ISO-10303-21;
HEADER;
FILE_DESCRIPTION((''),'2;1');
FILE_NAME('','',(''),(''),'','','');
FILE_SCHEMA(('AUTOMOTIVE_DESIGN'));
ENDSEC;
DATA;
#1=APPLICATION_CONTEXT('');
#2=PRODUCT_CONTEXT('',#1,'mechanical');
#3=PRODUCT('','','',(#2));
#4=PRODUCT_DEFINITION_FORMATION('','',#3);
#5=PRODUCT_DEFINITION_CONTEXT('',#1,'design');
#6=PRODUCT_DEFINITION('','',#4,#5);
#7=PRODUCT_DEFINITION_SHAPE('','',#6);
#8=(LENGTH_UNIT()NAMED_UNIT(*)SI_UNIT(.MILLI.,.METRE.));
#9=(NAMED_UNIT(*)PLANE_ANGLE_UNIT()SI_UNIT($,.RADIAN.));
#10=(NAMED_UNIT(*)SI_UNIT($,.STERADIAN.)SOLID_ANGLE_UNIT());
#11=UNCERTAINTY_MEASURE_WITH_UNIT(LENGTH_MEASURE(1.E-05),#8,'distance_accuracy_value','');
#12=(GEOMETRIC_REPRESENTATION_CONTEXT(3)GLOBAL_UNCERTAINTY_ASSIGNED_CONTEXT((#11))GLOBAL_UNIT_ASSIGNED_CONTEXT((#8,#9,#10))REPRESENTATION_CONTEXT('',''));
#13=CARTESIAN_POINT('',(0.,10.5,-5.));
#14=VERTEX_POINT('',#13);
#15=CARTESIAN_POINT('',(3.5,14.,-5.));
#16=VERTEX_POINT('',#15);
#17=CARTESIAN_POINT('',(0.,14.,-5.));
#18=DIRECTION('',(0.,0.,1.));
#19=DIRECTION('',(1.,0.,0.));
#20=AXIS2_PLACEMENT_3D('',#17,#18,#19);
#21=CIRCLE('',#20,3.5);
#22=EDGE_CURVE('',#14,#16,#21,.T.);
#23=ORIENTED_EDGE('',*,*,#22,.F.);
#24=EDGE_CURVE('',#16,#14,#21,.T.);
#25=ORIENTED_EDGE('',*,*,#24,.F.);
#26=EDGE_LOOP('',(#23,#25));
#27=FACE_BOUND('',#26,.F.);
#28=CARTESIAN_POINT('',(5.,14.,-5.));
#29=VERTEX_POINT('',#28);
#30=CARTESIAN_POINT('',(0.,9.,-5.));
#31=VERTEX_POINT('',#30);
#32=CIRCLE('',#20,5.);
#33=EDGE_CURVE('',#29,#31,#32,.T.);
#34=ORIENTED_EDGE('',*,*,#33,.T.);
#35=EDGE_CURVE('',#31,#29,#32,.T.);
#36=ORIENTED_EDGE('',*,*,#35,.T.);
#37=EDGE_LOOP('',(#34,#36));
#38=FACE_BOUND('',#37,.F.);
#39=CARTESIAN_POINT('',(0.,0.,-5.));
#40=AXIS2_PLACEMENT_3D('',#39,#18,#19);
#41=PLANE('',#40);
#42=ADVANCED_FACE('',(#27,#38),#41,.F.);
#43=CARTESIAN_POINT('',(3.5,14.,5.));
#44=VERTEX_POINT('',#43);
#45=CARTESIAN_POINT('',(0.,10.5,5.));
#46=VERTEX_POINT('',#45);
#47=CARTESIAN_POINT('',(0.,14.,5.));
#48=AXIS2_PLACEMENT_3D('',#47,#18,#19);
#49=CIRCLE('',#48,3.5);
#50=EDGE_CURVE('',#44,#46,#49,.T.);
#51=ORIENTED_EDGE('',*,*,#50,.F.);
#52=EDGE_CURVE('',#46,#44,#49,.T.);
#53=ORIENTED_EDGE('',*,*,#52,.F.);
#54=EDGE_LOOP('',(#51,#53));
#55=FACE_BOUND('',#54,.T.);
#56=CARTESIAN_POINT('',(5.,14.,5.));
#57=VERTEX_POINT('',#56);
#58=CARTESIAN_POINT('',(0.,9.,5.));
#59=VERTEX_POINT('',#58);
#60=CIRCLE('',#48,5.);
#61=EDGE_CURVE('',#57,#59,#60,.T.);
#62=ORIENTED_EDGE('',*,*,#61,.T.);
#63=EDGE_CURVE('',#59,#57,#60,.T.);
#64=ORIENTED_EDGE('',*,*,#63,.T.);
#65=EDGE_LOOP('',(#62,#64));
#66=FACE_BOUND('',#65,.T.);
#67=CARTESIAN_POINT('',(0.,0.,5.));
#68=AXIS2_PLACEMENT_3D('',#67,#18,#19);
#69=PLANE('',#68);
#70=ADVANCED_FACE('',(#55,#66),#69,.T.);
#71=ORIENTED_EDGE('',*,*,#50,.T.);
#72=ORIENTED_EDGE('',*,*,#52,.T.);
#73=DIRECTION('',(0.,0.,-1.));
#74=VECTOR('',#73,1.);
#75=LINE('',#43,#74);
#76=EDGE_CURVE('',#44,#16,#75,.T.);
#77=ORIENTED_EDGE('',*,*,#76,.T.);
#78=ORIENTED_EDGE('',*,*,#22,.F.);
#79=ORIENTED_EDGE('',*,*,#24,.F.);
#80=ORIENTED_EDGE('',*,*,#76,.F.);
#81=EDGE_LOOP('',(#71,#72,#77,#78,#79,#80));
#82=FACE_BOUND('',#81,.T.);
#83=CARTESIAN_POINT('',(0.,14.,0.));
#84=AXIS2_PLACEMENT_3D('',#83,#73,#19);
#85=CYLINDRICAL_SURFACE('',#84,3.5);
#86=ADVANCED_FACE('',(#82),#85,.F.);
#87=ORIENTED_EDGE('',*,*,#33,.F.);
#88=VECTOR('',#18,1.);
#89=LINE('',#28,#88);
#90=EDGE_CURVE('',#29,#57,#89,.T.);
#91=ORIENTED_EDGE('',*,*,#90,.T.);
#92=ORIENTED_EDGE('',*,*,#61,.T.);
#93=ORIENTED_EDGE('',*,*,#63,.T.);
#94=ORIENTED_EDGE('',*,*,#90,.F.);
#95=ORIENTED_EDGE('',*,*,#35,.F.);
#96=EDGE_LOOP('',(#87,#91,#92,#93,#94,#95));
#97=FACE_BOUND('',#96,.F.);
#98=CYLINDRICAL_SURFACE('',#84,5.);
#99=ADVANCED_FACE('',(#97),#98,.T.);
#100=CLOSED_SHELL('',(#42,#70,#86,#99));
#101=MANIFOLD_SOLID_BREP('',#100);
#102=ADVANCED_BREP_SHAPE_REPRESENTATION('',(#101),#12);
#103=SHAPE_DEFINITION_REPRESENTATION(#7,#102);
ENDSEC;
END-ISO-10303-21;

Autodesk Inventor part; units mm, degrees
ref_plane "YZ Plane" through (0, 0, 0) normal (1, 0, 0) x (0, 1, 0)
ref_plane "XZ Plane" through (0, 0, 0) normal (0, 1, 0) x (-1, 0, 0)
sketch "Sketch1" plane through (0, 0, 0) normal (0, 0, 1) x (1, 0, 0)
  line L0 (-25, 0) -> (25, 0) construction
  line L1 (0, 25) -> (0, -25) construction
  line L2 (0, 0) -> (-18, 0)
  line L3 (-18, 0) -> (-18, 4.5)
  line L4 (0, 0) -> (0, 14)
  arc A0 (7, 14) -> (-7, 14) centre (0, 14) ccw
  line L5 (-18, 4.5) -> (-10, 4.5)
  line L6 (-7, 7.5) -> (-7, 14)
  line L7 (0, 0) -> (18, 0)
  line L8 (18, 0) -> (18, 4.5)
  line L9 (18, 4.5) -> (10, 4.5)
  line L10 (7, 7.5) -> (7, 14)
  arc A1 (-10, 4.5) -> (-7, 7.5) centre (-10, 7.5) ccw
  arc A2 (7, 7.5) -> (10, 4.5) centre (10, 7.5) ccw
  circle A3 centre (0, 14) radius 5
  circle A4 centre (0, 14) radius 3.5
  dimension "d0" = 50
  dimension "d1" = 50
  dimension "d2" = 18
  dimension "d3" = 4.5
  dimension "d4" = 14
  dimension "d5" = 14
  dimension "d6" = 18
  dimension "d7" = 4.5
  dimension "d8" = 3
  dimension "d9" = 10
  dimension "d10" = 7
extrude "Extrusion1" add sketch "Sketch1" along normal mid plane 10 contours A3
ref_plane "Work Plane1" through (0, 0, 0) normal (0, 0, 1) x (1, 0, 0)
sketch "Sketch2" plane through (0, 0, 0) normal (0, 0, 1) x (1, 0, 0)
  circle A0 centre (0, 14) radius 5 projected
  circle A1 centre (0, 14) radius 7
  line L0 (-18, 4.5) -> (-10, 4.5) projected
  line L1 (18, 4.5) -> (10, 4.5) projected
  line L2 (0, 0) -> (18, 0) projected
  line L3 (0, 0) -> (-18, 0) projected
  line L4 (-7, 14) -> (-7, 4.5)
  line L5 (-7, 4.5) -> (-18, 4.5)
  line L6 (-18, 4.5) -> (-18, 0)
  line L7 (-18, 0) -> (18, 0)
  line L8 (18, 0) -> (18, 4.5)
  line L9 (18, 4.5) -> (7, 4.5)
  line L10 (7, 4.5) -> (7, 14)
  dimension "d14" = 14
